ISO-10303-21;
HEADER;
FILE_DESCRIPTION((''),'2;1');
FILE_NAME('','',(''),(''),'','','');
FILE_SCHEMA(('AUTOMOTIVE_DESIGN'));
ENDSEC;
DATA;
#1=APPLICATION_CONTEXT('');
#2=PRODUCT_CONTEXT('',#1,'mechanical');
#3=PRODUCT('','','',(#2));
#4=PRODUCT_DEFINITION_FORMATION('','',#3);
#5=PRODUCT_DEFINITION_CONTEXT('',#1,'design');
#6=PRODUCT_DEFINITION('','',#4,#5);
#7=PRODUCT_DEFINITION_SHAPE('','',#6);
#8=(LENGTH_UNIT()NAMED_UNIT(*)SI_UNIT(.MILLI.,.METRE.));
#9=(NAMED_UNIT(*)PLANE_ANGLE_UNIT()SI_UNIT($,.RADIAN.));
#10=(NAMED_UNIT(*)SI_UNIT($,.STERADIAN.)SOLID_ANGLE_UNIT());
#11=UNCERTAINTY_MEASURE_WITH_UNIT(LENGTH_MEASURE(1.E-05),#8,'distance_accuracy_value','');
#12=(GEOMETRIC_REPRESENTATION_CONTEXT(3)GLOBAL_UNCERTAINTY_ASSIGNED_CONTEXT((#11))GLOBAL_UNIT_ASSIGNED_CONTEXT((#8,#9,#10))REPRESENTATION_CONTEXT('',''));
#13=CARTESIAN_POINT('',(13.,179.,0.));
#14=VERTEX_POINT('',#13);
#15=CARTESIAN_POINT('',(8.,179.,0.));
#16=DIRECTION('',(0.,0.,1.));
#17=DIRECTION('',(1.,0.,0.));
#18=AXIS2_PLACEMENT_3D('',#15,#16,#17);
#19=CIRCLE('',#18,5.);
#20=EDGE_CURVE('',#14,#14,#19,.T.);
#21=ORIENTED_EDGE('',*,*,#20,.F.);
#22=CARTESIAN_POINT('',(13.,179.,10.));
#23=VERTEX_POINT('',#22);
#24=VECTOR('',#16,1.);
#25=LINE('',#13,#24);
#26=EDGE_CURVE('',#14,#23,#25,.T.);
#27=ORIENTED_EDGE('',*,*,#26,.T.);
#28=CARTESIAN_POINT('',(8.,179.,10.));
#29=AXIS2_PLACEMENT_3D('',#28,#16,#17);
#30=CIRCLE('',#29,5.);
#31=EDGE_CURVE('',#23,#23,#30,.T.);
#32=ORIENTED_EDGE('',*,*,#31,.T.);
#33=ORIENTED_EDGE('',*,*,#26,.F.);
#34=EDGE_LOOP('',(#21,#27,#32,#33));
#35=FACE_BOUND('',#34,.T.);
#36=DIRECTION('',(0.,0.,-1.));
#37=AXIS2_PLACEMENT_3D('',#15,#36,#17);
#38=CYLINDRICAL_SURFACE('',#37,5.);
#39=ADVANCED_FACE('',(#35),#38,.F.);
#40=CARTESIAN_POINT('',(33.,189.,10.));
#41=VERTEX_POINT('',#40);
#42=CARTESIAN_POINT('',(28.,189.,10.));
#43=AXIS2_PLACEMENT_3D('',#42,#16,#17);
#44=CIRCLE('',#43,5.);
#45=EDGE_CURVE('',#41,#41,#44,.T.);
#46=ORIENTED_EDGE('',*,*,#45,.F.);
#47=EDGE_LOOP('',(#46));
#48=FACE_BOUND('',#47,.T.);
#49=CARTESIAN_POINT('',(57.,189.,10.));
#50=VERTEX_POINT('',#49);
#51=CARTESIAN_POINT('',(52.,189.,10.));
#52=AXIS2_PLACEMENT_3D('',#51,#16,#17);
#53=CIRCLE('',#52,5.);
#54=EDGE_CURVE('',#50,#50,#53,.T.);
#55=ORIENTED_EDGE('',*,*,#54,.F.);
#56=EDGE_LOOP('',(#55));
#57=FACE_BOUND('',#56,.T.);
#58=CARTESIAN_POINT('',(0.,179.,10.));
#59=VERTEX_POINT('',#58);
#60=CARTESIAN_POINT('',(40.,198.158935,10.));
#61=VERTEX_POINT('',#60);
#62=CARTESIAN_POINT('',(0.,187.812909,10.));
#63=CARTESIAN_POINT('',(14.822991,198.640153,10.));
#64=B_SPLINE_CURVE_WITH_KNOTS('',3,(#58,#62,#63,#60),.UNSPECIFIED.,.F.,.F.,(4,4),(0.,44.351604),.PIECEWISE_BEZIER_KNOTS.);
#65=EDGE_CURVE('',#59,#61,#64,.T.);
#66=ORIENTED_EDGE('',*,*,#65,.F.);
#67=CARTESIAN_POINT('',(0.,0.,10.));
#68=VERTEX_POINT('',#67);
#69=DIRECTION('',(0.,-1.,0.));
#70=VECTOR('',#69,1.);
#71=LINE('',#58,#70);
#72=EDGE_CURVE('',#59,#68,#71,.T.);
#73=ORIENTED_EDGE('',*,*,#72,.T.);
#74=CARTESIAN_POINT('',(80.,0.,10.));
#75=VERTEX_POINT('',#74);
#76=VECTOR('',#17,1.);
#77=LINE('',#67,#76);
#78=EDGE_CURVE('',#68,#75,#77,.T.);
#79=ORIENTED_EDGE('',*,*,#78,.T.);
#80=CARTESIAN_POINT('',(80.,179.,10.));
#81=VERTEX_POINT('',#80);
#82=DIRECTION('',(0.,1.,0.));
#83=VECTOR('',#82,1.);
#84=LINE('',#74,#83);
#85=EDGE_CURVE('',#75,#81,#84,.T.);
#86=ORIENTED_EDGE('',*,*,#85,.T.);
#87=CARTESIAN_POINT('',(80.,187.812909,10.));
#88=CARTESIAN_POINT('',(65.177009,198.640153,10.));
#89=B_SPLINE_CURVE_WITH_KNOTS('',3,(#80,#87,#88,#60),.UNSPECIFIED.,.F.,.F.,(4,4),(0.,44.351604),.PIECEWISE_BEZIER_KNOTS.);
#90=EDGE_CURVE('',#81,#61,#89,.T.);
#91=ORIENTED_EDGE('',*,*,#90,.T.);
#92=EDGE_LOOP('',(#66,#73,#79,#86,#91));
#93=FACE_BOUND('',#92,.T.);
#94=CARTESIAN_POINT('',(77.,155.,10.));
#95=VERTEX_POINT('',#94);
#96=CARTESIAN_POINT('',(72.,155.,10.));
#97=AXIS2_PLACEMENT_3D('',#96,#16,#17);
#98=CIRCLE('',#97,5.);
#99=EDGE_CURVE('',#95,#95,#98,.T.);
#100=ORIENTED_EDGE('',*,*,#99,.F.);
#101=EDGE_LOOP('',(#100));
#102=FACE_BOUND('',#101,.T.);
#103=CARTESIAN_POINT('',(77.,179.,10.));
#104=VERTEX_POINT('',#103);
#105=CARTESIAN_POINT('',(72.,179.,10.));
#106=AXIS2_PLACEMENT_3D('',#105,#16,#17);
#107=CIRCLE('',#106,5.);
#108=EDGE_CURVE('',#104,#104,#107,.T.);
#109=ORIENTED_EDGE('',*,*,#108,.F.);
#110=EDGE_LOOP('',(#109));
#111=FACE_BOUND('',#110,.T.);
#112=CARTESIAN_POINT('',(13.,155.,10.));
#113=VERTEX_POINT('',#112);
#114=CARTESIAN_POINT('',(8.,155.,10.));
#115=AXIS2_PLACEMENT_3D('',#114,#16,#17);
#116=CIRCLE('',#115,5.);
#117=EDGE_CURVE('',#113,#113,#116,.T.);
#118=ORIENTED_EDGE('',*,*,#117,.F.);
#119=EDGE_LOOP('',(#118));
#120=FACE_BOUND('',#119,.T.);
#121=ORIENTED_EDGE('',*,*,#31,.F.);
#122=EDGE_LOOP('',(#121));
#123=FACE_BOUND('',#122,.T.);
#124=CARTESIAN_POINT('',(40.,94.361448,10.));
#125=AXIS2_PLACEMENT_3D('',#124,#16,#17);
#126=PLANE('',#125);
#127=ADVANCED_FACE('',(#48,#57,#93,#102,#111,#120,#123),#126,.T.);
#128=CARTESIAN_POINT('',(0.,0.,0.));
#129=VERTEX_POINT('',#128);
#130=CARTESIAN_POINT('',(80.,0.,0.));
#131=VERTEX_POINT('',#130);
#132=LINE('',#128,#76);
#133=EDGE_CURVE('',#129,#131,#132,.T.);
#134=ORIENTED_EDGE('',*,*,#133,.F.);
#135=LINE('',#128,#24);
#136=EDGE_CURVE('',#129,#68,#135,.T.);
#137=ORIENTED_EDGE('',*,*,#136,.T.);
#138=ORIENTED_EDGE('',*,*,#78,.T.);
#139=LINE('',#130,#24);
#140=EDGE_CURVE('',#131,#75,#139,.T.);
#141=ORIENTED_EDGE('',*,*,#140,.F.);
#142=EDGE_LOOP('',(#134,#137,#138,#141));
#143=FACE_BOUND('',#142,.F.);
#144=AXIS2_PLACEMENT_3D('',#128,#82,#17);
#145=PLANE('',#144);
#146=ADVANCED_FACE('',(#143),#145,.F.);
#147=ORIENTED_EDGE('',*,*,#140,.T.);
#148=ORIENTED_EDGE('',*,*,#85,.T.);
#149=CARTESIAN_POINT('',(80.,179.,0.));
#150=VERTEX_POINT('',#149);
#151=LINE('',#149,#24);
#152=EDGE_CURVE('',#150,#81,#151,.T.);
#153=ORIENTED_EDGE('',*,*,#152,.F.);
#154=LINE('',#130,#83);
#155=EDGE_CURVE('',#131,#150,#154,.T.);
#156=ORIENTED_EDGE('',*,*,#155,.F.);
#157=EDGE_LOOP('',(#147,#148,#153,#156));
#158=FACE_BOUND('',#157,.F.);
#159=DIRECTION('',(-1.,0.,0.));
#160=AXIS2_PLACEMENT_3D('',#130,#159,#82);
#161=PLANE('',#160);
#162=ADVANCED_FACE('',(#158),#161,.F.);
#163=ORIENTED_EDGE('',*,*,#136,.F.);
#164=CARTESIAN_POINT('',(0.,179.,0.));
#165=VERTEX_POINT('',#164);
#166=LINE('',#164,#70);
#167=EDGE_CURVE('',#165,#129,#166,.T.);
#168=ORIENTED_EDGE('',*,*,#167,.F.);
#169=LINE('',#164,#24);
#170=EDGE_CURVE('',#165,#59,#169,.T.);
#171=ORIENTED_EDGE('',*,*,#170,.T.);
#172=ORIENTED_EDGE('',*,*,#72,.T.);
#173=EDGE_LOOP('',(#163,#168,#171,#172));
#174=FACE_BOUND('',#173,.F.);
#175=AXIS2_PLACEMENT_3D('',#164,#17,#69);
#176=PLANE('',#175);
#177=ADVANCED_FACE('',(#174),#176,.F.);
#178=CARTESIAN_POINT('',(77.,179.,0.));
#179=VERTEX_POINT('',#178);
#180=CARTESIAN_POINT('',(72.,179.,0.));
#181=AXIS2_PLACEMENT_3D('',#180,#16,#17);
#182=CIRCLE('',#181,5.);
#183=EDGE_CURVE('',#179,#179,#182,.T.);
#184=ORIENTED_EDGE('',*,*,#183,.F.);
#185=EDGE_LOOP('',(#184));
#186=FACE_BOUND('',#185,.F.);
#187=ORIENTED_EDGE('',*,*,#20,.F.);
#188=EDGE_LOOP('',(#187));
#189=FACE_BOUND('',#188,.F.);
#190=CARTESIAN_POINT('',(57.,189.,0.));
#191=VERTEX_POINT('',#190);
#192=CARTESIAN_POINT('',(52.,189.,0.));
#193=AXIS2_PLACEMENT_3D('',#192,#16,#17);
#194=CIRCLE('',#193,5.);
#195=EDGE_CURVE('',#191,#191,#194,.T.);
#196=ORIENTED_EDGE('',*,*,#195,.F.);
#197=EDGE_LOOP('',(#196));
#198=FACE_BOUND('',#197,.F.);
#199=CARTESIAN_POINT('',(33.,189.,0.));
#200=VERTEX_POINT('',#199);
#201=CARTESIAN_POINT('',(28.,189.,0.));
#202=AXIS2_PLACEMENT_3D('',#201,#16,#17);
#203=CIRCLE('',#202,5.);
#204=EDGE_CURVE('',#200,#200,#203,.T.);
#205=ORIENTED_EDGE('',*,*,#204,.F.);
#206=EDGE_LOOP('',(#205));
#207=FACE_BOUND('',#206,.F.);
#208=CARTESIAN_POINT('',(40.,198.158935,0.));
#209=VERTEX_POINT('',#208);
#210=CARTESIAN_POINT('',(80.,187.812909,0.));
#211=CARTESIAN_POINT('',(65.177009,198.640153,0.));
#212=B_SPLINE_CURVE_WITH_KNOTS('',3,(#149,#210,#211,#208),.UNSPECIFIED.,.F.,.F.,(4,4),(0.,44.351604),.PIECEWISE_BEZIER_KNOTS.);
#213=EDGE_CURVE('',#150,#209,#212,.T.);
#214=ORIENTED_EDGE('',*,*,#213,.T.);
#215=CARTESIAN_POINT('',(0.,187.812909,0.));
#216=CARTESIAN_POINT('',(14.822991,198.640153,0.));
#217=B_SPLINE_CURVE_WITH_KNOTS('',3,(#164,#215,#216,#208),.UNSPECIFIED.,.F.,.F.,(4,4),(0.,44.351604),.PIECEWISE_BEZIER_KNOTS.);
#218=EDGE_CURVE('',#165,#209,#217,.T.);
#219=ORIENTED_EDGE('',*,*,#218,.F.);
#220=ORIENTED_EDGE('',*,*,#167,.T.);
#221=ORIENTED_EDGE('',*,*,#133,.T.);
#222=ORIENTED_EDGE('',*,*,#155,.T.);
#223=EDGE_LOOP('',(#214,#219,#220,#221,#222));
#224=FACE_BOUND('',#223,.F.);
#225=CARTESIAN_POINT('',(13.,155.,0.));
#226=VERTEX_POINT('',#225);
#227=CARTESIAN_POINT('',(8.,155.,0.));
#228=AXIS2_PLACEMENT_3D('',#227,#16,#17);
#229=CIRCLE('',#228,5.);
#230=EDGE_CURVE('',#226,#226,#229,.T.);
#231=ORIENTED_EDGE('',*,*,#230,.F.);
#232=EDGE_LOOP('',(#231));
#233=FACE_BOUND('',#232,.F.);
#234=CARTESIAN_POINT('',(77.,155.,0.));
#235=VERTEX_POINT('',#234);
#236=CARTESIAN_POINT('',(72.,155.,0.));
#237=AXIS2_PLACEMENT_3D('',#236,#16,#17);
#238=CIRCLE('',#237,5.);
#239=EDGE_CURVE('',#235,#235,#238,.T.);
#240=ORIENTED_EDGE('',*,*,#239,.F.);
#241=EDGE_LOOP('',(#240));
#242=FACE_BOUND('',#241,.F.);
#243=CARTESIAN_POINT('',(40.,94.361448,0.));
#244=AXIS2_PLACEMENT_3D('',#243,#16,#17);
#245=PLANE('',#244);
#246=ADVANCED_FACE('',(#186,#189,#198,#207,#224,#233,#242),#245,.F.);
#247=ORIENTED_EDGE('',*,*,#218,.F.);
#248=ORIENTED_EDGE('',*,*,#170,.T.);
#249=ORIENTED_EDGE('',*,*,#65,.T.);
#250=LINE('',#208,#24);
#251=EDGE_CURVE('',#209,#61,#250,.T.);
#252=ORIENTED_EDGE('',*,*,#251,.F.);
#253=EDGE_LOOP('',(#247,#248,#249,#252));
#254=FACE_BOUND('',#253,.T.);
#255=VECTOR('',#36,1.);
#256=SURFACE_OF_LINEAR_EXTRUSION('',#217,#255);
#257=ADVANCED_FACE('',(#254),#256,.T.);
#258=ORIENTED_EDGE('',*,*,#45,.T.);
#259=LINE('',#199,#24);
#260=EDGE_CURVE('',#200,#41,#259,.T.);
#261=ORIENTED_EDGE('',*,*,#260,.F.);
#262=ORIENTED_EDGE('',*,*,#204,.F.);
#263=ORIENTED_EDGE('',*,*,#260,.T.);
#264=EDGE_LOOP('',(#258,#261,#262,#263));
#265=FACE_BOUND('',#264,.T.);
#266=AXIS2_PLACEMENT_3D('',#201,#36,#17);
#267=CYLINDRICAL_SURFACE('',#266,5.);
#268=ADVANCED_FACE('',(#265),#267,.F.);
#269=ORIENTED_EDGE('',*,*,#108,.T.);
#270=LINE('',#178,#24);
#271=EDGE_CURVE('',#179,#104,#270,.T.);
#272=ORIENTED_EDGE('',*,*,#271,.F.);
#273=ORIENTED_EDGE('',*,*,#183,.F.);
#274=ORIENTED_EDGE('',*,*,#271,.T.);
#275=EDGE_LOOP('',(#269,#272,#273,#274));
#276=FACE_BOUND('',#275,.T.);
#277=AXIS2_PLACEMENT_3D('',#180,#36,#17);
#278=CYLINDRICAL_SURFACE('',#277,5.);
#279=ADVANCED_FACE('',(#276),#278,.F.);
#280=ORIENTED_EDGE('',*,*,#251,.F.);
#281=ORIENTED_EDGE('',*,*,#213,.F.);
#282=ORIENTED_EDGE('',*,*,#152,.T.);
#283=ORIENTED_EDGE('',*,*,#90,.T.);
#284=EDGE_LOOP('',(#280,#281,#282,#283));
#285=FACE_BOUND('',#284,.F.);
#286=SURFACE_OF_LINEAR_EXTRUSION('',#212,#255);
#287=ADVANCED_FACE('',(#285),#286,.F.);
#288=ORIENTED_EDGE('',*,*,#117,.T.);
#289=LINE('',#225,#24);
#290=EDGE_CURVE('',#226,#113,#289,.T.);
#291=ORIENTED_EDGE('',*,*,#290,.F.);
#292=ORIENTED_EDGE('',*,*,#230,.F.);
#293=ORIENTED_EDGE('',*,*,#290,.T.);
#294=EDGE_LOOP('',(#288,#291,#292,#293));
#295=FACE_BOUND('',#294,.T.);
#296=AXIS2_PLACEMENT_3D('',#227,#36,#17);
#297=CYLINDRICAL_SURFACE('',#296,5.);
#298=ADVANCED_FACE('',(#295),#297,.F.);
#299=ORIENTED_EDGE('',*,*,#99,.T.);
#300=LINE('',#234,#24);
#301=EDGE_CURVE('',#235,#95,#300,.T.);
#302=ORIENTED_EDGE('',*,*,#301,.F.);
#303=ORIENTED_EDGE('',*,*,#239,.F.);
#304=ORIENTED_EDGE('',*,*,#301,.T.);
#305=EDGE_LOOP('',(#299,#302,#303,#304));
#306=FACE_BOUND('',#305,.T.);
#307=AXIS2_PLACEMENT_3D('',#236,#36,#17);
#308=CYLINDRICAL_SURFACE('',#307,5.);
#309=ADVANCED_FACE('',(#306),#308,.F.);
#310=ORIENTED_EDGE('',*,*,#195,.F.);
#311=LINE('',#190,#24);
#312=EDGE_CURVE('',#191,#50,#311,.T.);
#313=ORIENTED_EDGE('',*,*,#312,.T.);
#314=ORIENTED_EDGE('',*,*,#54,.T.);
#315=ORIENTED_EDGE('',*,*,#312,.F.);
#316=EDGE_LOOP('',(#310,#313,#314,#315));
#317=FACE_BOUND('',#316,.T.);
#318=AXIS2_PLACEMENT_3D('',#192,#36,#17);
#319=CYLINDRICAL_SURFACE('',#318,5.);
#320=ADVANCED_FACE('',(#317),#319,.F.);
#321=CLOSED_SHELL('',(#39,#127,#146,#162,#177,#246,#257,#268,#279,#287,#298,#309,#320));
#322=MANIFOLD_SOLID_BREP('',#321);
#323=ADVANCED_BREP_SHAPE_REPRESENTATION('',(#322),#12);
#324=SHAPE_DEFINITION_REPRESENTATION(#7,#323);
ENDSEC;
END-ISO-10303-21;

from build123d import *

# Parameters (mm, degrees)
F0_R     = 5
F1_DEPTH = 10


with BuildPart() as f1:
    # F0 (on Top) → F1 (new body)
    with BuildSketch(Plane.XY):
        with BuildLine():
            Line((0, 179), (0, 0))
            Line((0, 0), (80, 0))
            Line((80, 0), (80, 179))
            add(Edge.make_bspline(
                [(80, 179), (80, 187.812909), (65.177009, 198.640153), (40, 198.158935)],
                knots=[0, 0, 0, 0, 44.351604, 44.351604, 44.351604, 44.351604], degree=3))
            add(Edge.make_bspline(
                [(0, 179), (0, 187.812909), (14.822991, 198.640153), (40, 198.158935)],
                knots=[0, 0, 0, 0, 44.351604, 44.351604, 44.351604, 44.351604], degree=3))
        make_face()
        with Locations((8, 155)):
            Circle(F0_R, mode=Mode.SUBTRACT)
        with Locations((8, 179)):
            Circle(F0_R, mode=Mode.SUBTRACT)
        with Locations((28, 189)):
            Circle(F0_R, mode=Mode.SUBTRACT)
        with Locations((52, 189)):
            Circle(F0_R, mode=Mode.SUBTRACT)
        with Locations((72, 155)):
            Circle(F0_R, mode=Mode.SUBTRACT)
        with Locations((72, 179)):
            Circle(F0_R, mode=Mode.SUBTRACT)
    extrude(amount=F1_DEPTH)


solid = f1.part
